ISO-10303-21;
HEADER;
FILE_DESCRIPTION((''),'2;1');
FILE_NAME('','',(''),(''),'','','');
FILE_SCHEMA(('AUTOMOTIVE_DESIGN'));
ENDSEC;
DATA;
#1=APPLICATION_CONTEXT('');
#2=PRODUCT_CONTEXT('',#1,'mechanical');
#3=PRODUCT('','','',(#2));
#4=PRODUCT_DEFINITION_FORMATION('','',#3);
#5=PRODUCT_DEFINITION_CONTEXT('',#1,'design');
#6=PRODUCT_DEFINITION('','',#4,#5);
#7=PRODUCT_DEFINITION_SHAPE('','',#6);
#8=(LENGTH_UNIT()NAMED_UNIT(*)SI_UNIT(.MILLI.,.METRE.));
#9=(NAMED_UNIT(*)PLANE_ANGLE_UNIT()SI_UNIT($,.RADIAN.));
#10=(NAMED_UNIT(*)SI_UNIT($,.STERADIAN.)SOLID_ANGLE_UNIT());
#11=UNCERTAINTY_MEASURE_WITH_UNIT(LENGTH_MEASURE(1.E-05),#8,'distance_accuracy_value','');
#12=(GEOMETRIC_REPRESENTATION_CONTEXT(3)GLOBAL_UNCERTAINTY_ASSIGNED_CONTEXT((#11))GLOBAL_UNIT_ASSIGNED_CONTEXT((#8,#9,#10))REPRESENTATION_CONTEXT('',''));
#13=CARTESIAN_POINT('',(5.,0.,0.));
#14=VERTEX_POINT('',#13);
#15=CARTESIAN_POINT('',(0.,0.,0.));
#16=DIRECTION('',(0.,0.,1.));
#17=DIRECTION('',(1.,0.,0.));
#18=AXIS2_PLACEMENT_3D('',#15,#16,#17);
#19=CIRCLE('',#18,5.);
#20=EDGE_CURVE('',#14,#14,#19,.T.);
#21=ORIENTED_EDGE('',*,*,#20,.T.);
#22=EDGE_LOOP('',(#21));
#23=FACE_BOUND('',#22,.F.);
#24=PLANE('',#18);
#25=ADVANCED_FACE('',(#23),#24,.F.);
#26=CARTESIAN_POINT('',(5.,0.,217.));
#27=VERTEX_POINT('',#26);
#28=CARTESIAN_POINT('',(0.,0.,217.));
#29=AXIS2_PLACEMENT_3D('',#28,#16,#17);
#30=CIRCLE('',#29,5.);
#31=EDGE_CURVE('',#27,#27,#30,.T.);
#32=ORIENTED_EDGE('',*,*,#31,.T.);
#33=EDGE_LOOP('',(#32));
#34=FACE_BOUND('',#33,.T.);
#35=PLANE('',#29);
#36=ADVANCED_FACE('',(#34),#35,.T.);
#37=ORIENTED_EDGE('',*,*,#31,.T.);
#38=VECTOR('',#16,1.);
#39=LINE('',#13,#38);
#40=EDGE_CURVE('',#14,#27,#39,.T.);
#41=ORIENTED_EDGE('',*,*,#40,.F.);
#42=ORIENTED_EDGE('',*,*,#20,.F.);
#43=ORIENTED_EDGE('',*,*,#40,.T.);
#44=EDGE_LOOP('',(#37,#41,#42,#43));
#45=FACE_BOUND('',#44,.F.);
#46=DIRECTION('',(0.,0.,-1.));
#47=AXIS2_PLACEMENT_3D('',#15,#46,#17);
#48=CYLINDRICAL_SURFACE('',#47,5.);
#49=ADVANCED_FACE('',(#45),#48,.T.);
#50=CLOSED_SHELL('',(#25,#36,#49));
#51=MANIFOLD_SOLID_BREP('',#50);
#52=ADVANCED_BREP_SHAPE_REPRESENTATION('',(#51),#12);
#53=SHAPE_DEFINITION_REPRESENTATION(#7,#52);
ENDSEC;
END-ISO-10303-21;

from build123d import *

# Parameters (mm, degrees)
SZKIC1_R                    = 5
DODANIE_WYCI_GNI_CIE1_DEPTH = 217


with BuildPart() as part:
    # Szkic1 → Dodanie-wyciągnięcie1 (new body)
    with BuildSketch(Plane.XY):
        Circle(SZKIC1_R)
    extrude(amount=DODANIE_WYCI_GNI_CIE1_DEPTH)


solid = part.part
